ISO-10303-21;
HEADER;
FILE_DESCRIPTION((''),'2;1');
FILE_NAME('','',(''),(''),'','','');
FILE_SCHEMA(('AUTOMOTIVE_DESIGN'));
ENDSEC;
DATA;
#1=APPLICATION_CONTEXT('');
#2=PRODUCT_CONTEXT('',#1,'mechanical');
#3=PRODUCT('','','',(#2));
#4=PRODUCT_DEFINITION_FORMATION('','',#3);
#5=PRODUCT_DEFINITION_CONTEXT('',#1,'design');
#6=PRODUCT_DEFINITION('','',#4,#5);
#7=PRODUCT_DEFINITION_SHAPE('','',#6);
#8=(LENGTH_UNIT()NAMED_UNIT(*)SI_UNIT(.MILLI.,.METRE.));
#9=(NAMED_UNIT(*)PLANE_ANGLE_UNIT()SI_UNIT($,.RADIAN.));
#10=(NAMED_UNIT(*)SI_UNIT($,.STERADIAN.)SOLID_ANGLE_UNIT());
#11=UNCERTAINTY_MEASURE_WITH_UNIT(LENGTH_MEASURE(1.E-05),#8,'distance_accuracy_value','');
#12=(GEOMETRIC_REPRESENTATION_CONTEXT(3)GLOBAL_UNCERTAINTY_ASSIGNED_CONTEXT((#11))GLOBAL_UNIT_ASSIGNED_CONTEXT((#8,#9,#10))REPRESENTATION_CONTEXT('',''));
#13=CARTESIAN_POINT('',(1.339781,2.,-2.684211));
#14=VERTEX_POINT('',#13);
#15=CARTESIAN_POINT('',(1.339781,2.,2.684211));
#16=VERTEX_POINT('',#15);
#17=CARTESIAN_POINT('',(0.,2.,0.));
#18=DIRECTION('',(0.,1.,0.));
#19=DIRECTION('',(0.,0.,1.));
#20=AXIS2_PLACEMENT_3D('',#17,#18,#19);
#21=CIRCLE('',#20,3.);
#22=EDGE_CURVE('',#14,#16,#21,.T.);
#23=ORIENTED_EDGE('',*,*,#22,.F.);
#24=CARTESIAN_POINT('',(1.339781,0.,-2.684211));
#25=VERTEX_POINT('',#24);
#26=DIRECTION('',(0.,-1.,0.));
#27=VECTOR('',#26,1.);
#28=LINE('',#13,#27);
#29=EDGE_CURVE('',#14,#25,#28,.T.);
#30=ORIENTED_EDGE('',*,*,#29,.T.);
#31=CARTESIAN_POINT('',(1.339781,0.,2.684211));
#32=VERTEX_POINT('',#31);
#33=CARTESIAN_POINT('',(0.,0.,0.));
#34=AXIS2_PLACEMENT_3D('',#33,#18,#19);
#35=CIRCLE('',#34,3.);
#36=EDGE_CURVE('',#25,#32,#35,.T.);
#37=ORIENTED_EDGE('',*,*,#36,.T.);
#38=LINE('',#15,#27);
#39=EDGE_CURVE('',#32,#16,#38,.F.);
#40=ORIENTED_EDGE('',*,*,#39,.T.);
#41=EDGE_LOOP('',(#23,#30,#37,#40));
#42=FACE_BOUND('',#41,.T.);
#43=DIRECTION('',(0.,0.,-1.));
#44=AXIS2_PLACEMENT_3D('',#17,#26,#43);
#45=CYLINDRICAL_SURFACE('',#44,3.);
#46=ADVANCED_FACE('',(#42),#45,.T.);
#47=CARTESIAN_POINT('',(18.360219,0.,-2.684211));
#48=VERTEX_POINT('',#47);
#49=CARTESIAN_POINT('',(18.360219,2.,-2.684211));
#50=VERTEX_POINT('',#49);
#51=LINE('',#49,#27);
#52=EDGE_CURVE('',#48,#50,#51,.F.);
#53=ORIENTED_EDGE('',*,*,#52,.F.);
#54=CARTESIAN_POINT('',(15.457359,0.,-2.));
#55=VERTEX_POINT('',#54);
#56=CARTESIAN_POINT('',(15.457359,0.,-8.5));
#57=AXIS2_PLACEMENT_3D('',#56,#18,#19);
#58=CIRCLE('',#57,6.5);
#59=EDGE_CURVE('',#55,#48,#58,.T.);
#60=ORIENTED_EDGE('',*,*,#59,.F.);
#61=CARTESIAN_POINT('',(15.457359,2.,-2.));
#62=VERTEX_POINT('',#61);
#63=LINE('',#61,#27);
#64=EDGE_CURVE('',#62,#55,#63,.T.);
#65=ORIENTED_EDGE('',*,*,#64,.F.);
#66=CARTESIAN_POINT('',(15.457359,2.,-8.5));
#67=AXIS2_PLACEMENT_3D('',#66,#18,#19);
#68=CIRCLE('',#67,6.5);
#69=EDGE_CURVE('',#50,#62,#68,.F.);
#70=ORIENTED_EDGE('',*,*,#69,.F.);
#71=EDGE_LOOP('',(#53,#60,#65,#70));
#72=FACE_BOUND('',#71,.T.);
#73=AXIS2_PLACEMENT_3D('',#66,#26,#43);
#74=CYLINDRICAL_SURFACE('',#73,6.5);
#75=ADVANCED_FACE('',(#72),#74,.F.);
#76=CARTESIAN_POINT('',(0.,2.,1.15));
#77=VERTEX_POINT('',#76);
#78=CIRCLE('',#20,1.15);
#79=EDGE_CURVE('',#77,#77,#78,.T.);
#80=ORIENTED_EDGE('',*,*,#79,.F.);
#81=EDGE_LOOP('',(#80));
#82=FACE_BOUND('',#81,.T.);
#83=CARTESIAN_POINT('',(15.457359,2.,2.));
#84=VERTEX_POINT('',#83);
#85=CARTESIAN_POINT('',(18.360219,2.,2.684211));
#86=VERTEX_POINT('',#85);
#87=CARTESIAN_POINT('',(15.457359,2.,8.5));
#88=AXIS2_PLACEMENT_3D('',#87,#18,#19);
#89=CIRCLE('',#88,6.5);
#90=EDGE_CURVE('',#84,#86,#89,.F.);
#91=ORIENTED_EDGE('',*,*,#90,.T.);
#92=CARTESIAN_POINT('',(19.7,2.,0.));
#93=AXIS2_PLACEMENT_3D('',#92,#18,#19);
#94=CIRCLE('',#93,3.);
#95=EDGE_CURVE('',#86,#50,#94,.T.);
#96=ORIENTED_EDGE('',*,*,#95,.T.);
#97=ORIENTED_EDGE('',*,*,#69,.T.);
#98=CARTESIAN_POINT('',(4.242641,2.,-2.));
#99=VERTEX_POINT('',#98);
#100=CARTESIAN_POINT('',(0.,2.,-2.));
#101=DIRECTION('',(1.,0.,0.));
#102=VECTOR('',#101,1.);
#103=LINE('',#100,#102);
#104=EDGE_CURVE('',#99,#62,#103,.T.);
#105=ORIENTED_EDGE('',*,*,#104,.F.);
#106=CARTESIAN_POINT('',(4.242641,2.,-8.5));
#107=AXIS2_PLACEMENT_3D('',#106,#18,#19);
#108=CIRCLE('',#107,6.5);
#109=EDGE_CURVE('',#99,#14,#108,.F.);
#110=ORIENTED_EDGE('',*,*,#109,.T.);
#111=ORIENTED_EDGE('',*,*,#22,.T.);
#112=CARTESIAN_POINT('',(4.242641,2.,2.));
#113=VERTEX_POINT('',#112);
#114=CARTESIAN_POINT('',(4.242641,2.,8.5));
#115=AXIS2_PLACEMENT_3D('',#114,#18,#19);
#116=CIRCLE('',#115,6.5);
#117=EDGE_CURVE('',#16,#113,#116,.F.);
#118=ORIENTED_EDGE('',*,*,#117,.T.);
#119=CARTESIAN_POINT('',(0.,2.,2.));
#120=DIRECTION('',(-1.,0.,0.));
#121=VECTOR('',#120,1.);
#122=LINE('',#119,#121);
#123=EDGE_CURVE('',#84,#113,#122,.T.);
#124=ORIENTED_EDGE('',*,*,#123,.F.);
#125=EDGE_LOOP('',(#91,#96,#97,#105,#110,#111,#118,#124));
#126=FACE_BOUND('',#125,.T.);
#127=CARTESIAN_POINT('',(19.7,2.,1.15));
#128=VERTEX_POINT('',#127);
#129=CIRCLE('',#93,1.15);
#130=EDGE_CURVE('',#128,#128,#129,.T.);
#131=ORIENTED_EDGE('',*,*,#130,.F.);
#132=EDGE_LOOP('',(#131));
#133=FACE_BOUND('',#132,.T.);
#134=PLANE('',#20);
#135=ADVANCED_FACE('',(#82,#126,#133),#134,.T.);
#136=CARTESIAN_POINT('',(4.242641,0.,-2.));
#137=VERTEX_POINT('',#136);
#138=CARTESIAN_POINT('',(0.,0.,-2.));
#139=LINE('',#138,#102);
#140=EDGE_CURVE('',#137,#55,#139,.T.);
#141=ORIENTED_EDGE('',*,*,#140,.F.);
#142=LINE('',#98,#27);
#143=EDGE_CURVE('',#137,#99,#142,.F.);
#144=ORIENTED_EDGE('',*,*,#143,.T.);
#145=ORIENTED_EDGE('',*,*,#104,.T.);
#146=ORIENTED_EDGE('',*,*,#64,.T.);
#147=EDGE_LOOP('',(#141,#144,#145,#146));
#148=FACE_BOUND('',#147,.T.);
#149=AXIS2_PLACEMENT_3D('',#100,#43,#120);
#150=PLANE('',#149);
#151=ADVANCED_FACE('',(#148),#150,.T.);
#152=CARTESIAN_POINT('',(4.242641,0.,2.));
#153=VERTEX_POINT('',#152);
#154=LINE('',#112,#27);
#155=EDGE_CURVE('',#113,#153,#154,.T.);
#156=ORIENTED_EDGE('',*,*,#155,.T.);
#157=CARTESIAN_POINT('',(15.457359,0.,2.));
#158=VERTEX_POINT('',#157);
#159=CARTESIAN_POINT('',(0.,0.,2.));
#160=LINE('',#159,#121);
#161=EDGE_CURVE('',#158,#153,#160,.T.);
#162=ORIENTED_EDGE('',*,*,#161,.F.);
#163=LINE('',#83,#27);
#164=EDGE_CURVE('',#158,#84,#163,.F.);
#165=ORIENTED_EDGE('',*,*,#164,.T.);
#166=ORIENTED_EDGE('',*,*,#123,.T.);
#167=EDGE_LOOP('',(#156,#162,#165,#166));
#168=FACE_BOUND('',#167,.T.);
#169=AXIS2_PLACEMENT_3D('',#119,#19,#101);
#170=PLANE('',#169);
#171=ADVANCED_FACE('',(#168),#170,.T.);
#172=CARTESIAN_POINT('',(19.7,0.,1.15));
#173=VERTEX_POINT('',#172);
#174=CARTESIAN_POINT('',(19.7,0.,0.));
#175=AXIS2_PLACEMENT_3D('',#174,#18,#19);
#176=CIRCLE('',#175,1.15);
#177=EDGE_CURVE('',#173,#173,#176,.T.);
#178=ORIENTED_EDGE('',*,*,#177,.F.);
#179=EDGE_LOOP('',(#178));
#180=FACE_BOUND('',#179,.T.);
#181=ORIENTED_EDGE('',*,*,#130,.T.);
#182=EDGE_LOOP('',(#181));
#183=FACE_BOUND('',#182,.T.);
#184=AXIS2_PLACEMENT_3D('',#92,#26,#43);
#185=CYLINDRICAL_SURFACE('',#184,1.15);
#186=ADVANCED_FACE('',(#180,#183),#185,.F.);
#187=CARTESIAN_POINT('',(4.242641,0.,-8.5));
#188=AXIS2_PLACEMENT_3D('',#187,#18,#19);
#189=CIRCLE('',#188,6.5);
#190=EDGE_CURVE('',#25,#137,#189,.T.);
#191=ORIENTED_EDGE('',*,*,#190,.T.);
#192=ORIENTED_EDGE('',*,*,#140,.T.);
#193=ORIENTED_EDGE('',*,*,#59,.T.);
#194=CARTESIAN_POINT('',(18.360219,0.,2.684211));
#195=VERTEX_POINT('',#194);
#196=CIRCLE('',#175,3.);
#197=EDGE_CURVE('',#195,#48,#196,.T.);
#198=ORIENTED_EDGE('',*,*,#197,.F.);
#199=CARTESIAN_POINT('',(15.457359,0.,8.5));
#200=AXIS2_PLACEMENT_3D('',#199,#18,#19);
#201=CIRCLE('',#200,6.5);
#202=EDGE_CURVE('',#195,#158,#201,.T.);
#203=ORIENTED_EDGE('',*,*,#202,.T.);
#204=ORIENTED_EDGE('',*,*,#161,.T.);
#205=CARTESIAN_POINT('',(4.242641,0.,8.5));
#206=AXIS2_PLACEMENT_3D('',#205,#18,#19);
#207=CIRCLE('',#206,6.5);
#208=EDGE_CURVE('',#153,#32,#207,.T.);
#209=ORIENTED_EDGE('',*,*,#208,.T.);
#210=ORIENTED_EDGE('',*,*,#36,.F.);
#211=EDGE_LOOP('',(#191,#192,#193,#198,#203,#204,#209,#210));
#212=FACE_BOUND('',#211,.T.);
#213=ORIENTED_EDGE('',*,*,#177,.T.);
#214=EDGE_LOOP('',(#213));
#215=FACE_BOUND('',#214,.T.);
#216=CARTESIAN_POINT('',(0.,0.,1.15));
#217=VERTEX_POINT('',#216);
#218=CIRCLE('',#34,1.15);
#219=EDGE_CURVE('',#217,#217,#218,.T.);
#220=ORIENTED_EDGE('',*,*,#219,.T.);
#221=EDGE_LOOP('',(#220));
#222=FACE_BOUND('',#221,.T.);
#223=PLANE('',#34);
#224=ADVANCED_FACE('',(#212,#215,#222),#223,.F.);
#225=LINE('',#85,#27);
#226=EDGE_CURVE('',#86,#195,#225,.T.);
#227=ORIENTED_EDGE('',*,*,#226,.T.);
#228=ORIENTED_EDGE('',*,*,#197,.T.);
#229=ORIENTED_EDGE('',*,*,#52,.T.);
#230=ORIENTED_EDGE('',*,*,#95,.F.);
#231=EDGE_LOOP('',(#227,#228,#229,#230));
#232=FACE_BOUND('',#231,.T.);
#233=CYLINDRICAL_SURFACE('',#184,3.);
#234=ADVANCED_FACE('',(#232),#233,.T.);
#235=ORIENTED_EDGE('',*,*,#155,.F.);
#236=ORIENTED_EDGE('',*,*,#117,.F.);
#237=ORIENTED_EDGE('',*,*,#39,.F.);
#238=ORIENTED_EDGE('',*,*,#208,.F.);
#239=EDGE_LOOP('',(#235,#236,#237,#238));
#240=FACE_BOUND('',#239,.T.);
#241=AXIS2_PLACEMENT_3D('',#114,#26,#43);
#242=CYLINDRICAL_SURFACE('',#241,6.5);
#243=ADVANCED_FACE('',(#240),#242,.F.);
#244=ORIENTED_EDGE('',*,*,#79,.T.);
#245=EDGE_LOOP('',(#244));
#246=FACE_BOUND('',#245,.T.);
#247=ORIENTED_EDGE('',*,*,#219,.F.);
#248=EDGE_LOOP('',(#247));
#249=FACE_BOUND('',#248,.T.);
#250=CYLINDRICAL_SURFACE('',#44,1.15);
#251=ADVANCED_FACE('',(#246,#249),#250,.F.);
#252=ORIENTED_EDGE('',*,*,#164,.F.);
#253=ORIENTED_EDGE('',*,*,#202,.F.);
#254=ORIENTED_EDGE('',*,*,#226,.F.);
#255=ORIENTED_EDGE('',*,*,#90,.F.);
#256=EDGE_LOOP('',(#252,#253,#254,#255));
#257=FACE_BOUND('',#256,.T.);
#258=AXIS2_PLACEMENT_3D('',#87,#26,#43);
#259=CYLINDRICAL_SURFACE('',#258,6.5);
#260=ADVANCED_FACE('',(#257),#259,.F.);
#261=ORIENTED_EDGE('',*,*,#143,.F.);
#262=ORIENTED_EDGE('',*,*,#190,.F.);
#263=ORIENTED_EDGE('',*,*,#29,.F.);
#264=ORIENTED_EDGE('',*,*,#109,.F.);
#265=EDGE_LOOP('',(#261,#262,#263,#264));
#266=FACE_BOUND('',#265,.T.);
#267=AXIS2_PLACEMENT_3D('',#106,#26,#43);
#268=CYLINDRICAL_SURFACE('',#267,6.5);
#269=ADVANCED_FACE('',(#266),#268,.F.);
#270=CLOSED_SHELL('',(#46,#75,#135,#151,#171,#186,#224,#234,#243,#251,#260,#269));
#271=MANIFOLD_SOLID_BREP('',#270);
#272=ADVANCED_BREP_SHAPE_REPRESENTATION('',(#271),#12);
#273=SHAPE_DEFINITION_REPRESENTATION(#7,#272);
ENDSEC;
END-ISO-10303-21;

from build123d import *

# Parameters (mm, degrees)
SKETCH_1_R      = 1.15
EXTRUDE_1_DEPTH = 2
FILLET_1_R      = 6.5


with BuildPart() as part:
    # Эскиз1 → Бобышка-Вытянуть1 (new body)
    with BuildSketch(Plane(origin=(0, 0, 0), x_dir=(1, 0, 0), z_dir=(0, 1, 0))):
        with BuildLine():
            Line((2.236067977, 2), (17.463932023, 2))
            ThreePointArc((17.463932023, 2), (22.7, 0), (17.463932023, -2))
            Line((17.463932023, -2), (2.236067977, -2))
            ThreePointArc((2.236067977, -2), (-3, 0), (2.236067977, 2))
        make_face()
        with Locations(Location((0, 0, 0), (0, 0, 270))):
            Circle(SKETCH_1_R, mode=Mode.SUBTRACT)
        with Locations(Location((19.7, 0, 0), (0, 0, 270))):
            Circle(SKETCH_1_R, mode=Mode.SUBTRACT)
    extrude(amount=EXTRUDE_1_DEPTH)

    # Скругление1
    fillet_1_edges = [part.edges().sort_by_distance(p)[0] for p in [
        (2.236067977, 1, 2),
        (2.236067977, 1, -2),
        (17.463932023, 1, -2),
        (17.463932023, 1, 2),
    ]]
    fillet(fillet_1_edges, radius=FILLET_1_R)


solid = part.part
